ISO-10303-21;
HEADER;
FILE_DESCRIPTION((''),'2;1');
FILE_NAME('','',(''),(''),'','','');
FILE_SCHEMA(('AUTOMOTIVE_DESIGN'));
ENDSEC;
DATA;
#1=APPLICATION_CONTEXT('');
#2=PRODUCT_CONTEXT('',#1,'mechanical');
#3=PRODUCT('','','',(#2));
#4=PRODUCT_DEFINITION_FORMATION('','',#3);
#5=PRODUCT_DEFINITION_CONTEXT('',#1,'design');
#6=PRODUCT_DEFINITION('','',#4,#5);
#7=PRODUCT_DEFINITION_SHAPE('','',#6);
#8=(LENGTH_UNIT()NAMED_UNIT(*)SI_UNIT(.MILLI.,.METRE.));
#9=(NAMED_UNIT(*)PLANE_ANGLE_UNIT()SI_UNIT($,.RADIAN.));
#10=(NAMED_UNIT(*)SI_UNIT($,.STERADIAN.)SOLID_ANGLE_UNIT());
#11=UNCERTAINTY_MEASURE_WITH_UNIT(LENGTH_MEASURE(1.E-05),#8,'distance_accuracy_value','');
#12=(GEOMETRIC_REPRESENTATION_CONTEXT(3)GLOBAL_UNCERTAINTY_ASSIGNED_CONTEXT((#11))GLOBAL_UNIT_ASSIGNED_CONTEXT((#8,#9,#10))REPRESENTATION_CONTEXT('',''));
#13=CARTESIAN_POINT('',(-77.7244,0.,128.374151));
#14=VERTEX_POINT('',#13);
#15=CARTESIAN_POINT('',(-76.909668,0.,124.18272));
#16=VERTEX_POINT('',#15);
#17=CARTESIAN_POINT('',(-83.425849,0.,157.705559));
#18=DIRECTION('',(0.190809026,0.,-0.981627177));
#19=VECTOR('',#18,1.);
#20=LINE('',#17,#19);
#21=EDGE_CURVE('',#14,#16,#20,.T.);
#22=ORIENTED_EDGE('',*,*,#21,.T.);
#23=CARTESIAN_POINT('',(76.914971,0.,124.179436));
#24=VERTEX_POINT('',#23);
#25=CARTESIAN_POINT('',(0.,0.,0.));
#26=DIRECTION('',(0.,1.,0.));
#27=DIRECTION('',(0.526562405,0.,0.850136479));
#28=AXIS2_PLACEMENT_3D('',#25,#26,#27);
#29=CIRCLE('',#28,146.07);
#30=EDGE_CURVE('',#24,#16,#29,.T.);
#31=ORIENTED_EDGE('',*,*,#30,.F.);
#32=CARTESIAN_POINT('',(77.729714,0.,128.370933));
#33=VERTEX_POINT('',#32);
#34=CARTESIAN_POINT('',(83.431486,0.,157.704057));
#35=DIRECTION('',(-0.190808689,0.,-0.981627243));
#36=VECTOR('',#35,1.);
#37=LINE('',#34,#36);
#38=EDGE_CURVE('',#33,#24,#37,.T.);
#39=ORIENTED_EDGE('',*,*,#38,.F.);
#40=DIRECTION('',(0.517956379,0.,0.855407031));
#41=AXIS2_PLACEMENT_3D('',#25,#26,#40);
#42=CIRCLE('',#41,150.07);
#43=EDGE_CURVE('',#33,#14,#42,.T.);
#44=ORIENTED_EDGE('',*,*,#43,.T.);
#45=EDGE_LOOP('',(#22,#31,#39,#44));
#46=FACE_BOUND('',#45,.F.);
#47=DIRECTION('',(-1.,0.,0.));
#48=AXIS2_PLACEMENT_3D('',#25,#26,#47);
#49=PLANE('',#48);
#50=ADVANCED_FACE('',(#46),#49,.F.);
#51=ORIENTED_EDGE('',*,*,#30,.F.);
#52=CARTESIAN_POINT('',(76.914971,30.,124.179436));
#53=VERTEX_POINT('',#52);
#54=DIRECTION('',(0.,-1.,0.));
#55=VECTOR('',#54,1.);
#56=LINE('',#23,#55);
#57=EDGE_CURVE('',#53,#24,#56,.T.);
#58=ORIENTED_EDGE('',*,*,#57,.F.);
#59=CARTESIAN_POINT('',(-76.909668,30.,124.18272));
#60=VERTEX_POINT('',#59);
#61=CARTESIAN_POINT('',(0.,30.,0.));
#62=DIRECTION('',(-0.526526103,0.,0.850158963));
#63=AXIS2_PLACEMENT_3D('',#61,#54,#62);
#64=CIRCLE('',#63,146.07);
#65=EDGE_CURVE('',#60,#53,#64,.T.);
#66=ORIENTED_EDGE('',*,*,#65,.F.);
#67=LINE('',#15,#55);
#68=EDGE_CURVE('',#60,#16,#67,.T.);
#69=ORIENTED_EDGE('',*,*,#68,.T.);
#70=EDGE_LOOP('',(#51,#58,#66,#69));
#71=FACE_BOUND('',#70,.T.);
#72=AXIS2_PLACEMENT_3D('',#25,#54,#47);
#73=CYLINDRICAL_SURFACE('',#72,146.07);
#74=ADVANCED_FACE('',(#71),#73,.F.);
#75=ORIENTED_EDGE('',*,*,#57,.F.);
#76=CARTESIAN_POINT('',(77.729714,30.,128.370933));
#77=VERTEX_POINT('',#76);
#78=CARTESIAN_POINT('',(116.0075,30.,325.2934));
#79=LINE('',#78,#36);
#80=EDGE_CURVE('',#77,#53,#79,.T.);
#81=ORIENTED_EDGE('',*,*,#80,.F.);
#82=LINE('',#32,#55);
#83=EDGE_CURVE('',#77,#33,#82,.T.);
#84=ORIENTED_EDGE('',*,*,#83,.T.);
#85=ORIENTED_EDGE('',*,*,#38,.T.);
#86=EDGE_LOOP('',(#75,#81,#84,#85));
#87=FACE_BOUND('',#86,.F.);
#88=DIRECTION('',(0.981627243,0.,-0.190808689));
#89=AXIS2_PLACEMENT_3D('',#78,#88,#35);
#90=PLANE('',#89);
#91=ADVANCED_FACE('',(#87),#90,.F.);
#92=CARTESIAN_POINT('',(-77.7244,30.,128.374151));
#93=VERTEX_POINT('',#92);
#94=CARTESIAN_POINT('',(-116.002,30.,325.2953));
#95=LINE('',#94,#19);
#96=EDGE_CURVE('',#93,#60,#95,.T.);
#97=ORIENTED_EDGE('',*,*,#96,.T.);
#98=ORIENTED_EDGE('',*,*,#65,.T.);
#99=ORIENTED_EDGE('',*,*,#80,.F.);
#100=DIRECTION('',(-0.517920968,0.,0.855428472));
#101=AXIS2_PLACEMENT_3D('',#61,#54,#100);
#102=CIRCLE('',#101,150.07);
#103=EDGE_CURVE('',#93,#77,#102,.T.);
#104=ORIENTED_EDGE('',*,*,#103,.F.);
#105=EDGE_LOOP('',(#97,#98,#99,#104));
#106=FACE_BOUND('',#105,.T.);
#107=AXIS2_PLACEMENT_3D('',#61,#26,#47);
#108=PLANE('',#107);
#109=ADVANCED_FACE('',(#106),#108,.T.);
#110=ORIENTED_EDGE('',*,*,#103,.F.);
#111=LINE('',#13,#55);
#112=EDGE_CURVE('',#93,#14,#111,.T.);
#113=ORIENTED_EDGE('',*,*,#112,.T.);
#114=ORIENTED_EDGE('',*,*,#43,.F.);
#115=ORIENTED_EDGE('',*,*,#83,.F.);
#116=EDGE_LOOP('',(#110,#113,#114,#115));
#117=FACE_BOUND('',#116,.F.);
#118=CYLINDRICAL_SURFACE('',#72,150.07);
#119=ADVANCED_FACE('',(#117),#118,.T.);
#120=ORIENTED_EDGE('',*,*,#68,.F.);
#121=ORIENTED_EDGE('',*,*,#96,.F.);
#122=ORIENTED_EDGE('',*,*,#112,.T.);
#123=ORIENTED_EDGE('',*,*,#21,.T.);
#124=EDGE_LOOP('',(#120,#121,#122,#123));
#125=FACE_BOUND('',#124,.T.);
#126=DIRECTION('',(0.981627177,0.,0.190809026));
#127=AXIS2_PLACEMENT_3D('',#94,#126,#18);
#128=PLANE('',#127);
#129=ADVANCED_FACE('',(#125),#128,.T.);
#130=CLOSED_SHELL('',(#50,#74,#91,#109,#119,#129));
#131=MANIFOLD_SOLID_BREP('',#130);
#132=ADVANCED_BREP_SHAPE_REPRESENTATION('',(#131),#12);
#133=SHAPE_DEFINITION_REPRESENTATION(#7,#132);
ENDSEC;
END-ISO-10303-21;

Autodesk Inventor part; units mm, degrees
ref_plane "YZ Plane" through (0, 0, 0) normal (1, 0, 0) x (0, 1, 0)
ref_plane "XZ Plane" through (0, 0, 0) normal (0, 1, 0) x (-1, 0, 0)
ref_plane "XY Plane" through (0, 0, 0) normal (0, 0, 1) x (1, 0, 0)
sketch "Sketch1" plane through (0, 0, 0) normal (0, 1, 0) x (-1, 0, 0)
  circle A0 centre (0, 0) radius 146.07
  circle A1 centre (0, 0) radius 150.07
  dimension "d169" = 292.14
  dimension "d170" = 300.14
extrude "Extrusion3" add sketch "Sketch1" along normal blind 30
sketch "Sketch3" plane through (0, 30, 0) normal (0, 1, 0) x (1, 0, 0)
  arc A0 (-116.002, -325.2953) -> (116.0075, -325.2934) centre (0, 0) ccw
  arc A1 (-76.6912, -123.0588) -> (76.6965, -123.0555) centre (0, 0) ccw
  line L0 (-122.1811, -173.696) -> (-161.3589, -227.6196) construction
  line L1 (-116.002, -325.2953) -> (-76.6912, -123.0588)
  line L2 (0, 0) -> (0, -341.2918)
  line L3 (116.0075, -325.2934) -> (76.6965, -123.0555)
  line L4 (161.3912, -227.6651) -> (122.2055, -173.7307) construction
  dimension "d52" = 25
  dimension "d87" = 145
  dimension "d88" = 345.36
  dimension "d89" = 25
  dimension "d90" = 11
  dimension "d91" = 11
extrude "Extrusion5" cut sketch "Sketch3" against normal through all
equation "\"BendRadius\" = Thickness"
equation "\"BendReliefWidth\" = Thickness"
equation "\"BendReliefDepth\" = 0.5 * Thickness"
equation "\"CornerReliefSize\" = 4 * Thickness"
equation "\"MinimumRemnant\" = 2 * Thickness"
equation "\"TransitionRadius\" = BendRadius"
equation "\"JacobiRadiusSize\" = BendRadius"
equation "\"GapSize\" = Thickness"
equation "\"Thickness\" = 0.5"
properties part number "Banding Level A-C Inner" material "Wood (Maple)"
